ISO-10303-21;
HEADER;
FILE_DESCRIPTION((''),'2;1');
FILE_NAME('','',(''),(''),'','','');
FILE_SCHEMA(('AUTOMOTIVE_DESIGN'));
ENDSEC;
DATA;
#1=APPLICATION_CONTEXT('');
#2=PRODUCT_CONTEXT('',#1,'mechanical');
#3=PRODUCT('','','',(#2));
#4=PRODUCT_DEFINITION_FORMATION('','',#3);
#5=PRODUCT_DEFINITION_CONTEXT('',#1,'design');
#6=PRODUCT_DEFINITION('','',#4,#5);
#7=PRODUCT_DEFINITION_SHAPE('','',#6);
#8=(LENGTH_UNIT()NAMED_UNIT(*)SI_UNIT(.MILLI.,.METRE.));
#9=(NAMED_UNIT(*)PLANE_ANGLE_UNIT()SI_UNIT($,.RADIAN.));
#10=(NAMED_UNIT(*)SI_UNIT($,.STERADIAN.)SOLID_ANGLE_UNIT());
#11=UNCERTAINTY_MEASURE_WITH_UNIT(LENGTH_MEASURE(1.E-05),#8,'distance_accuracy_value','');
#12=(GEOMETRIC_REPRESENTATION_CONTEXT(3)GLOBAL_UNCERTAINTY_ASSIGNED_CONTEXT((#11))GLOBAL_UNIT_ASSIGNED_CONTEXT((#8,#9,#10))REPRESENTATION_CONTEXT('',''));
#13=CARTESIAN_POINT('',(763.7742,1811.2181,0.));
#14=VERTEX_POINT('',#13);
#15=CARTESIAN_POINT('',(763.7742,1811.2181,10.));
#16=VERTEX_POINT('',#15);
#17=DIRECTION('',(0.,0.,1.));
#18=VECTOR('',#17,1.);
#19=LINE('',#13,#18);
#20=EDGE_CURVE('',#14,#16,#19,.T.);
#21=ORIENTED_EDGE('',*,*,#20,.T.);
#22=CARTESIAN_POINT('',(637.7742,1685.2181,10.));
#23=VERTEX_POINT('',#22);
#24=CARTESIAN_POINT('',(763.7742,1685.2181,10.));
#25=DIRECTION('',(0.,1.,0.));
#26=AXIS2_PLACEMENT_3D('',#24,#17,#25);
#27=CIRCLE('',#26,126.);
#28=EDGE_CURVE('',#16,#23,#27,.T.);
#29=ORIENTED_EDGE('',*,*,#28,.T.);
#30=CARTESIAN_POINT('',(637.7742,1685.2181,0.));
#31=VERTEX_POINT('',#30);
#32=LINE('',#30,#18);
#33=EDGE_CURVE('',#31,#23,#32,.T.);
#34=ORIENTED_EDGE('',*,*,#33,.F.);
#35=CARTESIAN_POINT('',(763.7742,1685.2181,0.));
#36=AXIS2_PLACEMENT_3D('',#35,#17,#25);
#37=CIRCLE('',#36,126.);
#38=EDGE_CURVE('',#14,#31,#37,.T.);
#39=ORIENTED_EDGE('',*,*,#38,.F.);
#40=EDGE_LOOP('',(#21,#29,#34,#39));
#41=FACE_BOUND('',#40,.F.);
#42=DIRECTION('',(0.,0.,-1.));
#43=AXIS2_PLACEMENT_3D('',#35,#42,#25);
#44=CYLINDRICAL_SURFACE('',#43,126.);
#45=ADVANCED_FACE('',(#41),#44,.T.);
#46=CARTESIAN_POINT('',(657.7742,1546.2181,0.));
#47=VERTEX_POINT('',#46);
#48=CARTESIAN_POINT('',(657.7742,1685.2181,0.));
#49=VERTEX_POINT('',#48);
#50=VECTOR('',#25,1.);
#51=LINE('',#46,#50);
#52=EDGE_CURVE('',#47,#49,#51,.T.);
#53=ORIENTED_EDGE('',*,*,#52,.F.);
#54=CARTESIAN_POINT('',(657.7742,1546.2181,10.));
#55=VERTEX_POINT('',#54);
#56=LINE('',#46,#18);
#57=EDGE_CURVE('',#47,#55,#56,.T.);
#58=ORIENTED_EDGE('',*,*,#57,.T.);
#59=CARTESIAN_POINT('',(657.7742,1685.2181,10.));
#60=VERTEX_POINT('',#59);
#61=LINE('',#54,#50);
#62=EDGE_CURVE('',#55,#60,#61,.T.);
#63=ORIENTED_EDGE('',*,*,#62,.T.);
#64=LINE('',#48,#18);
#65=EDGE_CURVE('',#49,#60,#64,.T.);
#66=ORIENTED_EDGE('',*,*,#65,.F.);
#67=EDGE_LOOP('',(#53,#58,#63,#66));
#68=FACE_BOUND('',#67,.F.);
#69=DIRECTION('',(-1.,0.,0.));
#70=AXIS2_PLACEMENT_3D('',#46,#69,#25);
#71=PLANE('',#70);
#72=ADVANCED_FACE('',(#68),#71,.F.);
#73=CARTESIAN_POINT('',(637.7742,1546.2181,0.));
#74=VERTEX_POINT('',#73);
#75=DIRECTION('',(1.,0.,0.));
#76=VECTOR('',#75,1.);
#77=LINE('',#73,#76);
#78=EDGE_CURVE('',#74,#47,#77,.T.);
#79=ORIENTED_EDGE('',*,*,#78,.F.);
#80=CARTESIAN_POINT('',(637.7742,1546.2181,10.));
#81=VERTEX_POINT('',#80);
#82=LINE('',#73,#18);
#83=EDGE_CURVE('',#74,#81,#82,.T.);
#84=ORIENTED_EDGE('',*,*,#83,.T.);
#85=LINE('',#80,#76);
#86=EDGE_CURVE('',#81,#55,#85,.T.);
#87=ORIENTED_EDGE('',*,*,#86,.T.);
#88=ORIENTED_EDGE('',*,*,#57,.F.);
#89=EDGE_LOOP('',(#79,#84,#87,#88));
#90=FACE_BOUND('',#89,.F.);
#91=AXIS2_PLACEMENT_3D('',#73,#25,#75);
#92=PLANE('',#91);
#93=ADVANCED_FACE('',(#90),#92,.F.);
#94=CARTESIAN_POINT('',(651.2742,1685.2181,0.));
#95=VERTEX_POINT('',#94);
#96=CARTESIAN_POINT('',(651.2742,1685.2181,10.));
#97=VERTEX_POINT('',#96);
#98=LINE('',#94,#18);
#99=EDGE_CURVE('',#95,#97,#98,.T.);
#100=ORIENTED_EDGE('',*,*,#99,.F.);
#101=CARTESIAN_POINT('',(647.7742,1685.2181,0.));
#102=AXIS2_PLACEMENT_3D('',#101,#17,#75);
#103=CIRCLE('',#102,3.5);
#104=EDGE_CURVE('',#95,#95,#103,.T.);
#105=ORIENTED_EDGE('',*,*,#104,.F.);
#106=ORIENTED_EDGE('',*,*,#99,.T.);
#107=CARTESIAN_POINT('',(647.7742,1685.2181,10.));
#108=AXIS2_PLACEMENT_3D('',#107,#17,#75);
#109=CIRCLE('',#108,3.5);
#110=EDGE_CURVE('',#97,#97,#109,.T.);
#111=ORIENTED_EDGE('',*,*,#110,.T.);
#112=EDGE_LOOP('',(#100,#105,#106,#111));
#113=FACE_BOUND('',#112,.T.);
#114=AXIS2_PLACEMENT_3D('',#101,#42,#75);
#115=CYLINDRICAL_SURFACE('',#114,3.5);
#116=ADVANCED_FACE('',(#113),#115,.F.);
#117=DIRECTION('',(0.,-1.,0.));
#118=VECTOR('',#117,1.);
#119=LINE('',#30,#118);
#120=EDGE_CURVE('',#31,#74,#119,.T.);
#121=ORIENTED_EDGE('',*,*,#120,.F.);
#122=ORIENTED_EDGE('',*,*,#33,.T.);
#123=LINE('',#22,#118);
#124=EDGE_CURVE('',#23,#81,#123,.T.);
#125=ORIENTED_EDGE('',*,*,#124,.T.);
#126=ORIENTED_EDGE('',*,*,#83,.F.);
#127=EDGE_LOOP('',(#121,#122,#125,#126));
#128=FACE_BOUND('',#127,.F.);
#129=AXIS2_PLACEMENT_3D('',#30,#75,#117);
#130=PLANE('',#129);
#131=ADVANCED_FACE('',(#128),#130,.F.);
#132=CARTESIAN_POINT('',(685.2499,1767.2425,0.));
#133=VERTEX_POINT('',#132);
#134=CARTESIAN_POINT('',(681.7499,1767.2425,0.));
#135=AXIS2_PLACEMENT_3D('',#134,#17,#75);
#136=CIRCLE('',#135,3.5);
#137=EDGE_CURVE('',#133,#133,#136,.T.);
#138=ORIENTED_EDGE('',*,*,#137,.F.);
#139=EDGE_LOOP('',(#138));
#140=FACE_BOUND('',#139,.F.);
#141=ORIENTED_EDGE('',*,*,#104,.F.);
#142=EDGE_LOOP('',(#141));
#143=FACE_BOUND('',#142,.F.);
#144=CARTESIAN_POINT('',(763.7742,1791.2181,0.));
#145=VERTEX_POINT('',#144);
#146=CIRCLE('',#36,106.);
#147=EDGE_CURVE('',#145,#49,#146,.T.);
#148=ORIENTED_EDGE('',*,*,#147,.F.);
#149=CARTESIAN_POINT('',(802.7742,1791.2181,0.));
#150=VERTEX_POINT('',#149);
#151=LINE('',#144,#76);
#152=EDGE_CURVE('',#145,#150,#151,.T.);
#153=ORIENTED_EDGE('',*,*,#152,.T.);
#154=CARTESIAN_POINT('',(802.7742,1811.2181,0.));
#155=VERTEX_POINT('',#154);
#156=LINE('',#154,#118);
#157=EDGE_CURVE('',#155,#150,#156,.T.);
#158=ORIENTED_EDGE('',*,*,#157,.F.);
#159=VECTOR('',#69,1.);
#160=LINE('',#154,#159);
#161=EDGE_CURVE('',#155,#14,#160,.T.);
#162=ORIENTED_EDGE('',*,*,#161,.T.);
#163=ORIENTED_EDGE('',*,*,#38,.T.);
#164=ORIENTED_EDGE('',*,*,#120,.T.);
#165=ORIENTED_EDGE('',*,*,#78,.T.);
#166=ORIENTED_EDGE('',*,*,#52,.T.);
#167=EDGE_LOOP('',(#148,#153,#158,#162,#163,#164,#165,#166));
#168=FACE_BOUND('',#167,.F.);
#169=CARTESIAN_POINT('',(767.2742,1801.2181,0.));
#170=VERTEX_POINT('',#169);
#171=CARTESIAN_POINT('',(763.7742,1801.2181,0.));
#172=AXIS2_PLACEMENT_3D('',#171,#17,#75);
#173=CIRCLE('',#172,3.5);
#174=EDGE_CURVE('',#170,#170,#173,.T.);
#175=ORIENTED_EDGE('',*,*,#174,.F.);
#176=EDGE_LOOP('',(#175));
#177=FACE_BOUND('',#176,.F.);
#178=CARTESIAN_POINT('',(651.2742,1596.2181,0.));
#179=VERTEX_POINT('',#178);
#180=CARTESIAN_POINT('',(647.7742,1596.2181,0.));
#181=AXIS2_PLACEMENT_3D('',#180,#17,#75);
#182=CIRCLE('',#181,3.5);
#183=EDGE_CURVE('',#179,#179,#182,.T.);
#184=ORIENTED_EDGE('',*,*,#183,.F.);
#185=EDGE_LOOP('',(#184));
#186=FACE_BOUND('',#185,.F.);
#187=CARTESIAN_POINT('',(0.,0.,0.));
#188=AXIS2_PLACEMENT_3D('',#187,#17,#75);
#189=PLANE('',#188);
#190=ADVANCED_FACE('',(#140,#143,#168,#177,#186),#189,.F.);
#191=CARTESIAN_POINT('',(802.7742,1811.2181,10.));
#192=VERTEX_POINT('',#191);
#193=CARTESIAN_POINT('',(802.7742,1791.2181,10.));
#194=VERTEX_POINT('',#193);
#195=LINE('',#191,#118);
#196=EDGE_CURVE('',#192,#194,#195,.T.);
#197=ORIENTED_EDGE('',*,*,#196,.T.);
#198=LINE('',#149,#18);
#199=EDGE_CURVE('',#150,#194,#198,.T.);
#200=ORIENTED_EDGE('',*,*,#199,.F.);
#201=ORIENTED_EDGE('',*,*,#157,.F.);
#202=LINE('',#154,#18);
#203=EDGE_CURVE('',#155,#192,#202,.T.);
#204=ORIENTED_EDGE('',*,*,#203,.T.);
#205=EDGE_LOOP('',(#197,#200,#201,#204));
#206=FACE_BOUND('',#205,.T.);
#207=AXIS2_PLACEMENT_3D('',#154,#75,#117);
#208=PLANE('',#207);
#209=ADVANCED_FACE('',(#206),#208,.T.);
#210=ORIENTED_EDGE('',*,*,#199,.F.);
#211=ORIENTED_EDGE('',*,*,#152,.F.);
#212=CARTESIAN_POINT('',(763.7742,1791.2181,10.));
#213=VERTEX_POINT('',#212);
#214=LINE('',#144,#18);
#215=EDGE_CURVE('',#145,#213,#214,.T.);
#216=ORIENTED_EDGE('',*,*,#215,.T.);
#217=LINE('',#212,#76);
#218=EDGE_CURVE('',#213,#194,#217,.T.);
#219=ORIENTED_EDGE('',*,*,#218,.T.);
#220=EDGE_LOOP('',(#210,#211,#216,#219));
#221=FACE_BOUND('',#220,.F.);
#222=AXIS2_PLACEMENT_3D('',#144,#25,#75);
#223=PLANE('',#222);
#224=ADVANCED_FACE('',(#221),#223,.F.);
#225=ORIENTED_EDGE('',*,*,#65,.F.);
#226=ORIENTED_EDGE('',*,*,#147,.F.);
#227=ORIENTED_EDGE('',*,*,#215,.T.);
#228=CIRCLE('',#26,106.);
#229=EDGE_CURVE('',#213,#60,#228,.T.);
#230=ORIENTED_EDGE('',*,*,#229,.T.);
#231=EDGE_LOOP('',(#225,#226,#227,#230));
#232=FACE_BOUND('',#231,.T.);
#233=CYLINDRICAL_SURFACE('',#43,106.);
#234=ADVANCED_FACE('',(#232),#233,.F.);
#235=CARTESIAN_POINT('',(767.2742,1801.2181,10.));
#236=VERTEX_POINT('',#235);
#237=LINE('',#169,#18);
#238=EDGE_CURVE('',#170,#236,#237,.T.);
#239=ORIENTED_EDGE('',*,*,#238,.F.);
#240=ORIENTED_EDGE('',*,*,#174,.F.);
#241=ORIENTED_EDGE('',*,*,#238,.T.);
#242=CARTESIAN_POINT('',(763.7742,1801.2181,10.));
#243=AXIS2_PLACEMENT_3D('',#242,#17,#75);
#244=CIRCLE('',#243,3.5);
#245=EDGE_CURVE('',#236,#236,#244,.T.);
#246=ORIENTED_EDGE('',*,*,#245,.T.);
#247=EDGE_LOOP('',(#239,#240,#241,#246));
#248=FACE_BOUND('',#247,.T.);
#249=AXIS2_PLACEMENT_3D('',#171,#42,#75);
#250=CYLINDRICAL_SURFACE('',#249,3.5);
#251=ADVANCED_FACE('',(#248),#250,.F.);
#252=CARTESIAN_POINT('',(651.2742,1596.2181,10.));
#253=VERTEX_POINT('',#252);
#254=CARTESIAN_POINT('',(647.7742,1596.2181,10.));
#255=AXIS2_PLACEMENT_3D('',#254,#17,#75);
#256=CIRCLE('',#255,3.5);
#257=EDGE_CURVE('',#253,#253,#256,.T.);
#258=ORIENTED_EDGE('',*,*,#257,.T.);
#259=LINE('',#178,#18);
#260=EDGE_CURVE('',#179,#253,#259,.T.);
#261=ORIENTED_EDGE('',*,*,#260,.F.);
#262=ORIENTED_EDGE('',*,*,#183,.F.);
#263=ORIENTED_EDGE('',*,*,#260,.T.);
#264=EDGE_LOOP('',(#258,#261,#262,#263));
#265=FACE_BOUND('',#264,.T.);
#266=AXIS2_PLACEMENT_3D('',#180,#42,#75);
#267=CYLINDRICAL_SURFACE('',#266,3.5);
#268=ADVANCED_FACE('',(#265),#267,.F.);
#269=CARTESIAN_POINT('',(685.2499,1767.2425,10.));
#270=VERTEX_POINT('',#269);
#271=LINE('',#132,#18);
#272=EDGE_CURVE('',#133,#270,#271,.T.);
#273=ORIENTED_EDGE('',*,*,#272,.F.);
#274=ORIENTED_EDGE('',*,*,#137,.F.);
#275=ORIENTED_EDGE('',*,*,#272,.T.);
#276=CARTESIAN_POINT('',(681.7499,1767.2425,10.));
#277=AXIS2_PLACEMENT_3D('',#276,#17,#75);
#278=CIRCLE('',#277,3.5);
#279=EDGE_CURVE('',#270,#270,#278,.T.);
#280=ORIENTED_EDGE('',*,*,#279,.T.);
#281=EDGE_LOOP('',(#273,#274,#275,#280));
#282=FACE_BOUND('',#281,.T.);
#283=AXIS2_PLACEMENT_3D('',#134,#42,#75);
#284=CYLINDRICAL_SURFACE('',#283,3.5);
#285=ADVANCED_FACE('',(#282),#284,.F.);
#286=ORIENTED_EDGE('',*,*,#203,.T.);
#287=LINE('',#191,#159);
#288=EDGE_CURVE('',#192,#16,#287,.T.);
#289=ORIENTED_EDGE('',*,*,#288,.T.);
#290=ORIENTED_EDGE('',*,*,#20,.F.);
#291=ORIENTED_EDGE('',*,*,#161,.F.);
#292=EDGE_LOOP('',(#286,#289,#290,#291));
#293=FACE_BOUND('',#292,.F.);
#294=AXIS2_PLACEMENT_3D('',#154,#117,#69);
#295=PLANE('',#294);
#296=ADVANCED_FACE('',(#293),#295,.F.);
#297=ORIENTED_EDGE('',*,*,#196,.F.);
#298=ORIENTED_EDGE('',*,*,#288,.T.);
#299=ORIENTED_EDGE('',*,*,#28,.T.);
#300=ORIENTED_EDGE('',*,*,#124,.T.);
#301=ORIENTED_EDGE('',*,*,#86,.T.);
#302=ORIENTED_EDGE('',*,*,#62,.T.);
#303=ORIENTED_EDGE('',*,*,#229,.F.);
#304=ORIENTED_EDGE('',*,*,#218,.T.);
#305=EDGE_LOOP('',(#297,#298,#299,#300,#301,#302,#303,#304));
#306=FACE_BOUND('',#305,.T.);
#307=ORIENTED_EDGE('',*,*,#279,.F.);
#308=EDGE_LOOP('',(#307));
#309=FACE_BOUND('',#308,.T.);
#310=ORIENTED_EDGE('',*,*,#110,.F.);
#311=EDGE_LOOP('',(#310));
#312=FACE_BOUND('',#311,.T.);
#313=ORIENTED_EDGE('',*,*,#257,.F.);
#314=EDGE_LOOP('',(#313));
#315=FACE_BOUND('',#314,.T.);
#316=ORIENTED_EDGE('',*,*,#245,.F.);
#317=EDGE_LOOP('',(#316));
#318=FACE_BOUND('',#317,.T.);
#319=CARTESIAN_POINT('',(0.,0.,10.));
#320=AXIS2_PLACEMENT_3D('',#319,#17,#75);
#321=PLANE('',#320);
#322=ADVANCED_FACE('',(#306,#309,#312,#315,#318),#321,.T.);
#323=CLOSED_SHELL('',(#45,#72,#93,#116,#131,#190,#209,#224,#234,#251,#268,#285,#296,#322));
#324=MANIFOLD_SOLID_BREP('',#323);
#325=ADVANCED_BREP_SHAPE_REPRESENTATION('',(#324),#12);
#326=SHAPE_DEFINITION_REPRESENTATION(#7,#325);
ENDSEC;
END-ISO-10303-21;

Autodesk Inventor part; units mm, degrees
ref_plane "YZ Plane" through (0, 0, 0) normal (1, 0, 0) x (0, 1, 0)
ref_plane "XZ Plane" through (0, 0, 0) normal (0, 1, 0) x (-1, 0, 0)
ref_plane "XY Plane" through (0, 0, 0) normal (0, 0, 1) x (1, 0, 0)
sketch "Sketch1" plane through (0, 0, 0) normal (0, 0, 1) x (1, 0, 0)
  arc A0 (763.7742, 1811.2181) -> (637.7742, 1685.2181) centre (763.7742, 1685.2181) ccw
  arc A1 (763.7742, 1791.2181) -> (657.7742, 1685.2181) centre (763.7742, 1685.2181) ccw
  line L0 (637.7742, 1546.2181) -> (657.7742, 1546.2181)
  circle A2 centre (763.7742, 1801.2181) radius 3.5
  circle A3 centre (647.7742, 1596.2181) radius 3.5
  circle A4 centre (647.7742, 1685.2181) radius 3.5
  line L1 (802.7742, 1811.2181) -> (802.7742, 1791.2181)
  circle A5 centre (681.7499, 1767.2425) radius 3.5
  line L2 (637.7742, 1685.2181) -> (637.7742, 1546.2181)
  line L3 (657.7742, 1546.2181) -> (657.7742, 1685.2181)
  line L4 (763.7742, 1791.2181) -> (802.7742, 1791.2181)
  line L5 (802.7742, 1811.2181) -> (763.7742, 1811.2181)
  point P0 (0, 0)
extrude "Extrusion1" add sketch "Sketch1" along normal blind 10
properties part number "side_walls"
